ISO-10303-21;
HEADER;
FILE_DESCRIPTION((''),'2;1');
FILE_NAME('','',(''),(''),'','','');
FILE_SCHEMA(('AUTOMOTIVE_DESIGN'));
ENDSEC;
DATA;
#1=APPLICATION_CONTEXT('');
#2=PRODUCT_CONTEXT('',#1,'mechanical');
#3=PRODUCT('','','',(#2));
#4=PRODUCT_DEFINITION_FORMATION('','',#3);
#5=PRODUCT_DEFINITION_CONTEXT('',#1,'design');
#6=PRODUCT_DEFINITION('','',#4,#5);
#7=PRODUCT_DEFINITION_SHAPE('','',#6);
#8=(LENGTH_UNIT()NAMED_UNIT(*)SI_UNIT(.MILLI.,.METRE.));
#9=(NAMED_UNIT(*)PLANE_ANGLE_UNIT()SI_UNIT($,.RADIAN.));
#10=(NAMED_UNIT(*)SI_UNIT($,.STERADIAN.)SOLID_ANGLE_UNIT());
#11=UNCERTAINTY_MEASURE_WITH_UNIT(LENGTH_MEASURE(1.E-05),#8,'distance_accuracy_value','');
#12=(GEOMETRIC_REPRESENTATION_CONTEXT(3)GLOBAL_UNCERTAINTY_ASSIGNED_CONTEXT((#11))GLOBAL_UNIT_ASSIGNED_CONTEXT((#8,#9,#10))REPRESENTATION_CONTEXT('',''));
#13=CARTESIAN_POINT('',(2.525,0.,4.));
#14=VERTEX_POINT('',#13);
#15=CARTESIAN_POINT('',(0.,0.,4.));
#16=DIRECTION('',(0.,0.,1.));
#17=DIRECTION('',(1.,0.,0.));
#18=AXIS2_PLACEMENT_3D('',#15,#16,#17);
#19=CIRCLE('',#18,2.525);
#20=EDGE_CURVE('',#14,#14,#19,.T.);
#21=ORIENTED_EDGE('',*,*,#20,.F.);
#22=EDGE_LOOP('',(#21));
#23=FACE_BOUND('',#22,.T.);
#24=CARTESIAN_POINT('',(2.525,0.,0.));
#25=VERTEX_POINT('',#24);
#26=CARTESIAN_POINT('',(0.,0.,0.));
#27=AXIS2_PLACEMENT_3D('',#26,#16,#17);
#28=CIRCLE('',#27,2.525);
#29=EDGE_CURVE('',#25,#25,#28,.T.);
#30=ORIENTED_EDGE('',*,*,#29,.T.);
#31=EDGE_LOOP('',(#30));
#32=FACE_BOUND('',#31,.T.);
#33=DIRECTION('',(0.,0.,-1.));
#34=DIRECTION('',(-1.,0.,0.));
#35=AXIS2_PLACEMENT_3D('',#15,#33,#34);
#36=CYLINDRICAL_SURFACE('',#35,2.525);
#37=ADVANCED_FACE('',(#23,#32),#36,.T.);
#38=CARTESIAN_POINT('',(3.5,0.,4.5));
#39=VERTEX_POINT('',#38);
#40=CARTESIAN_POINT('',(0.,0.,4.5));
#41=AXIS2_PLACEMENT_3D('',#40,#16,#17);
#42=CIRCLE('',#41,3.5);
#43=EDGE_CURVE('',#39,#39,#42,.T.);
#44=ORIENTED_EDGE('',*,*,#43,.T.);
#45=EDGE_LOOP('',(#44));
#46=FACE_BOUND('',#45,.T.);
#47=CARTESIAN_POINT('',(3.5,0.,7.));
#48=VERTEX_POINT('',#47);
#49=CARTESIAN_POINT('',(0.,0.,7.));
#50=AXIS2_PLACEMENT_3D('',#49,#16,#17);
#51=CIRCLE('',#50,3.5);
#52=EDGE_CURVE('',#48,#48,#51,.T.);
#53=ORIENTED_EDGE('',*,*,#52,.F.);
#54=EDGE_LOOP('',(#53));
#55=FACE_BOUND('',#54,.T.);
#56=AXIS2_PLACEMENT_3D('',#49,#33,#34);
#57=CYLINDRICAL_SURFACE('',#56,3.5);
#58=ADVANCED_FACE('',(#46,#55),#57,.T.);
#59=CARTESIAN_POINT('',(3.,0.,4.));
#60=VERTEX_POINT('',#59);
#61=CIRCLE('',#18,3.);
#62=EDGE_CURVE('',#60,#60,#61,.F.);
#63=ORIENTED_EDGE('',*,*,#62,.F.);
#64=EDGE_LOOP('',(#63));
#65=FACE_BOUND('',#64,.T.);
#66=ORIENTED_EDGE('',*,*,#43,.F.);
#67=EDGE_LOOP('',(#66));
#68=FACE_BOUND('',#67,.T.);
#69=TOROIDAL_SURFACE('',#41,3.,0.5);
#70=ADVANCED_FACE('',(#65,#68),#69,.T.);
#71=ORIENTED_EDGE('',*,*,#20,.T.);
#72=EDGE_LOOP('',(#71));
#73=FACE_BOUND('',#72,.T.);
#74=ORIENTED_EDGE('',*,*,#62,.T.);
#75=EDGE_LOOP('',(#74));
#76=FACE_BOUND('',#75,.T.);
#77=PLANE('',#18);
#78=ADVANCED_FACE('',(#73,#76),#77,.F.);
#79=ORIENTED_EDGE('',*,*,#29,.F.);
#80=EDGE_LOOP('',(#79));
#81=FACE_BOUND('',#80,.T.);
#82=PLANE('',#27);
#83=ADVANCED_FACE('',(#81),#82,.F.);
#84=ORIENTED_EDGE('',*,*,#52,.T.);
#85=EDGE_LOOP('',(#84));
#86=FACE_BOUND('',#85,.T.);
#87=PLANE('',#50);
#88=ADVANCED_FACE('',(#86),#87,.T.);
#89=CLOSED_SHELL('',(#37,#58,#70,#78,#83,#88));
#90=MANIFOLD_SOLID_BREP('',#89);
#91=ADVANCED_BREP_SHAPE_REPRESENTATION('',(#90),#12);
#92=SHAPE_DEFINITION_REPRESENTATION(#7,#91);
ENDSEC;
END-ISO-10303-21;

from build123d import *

# Parameters (mm, degrees)
SKETCH1_R           = 2.525
BOSS_EXTRUDE1_DEPTH = 4
SKETCH2_R           = 3.5
BOSS_EXTRUDE2_DEPTH = 3
FILLET1_R           = 0.5


with BuildPart() as part:
    # Sketch1 → Boss-Extrude1 (new body)
    with BuildSketch(Plane.XY):
        Circle(SKETCH1_R)
    extrude(amount=BOSS_EXTRUDE1_DEPTH)

    # Sketch2 → Boss-Extrude2 (add)
    with BuildSketch(Plane.XY.offset(4)):
        Circle(SKETCH2_R)
    extrude(amount=BOSS_EXTRUDE2_DEPTH)

    # Fillet1
    fillet1_edges = [part.edges().sort_by_distance(p)[0] for p in [
        (-3.5, 0, 4),
    ]]
    fillet(fillet1_edges, radius=FILLET1_R)


solid = part.part
